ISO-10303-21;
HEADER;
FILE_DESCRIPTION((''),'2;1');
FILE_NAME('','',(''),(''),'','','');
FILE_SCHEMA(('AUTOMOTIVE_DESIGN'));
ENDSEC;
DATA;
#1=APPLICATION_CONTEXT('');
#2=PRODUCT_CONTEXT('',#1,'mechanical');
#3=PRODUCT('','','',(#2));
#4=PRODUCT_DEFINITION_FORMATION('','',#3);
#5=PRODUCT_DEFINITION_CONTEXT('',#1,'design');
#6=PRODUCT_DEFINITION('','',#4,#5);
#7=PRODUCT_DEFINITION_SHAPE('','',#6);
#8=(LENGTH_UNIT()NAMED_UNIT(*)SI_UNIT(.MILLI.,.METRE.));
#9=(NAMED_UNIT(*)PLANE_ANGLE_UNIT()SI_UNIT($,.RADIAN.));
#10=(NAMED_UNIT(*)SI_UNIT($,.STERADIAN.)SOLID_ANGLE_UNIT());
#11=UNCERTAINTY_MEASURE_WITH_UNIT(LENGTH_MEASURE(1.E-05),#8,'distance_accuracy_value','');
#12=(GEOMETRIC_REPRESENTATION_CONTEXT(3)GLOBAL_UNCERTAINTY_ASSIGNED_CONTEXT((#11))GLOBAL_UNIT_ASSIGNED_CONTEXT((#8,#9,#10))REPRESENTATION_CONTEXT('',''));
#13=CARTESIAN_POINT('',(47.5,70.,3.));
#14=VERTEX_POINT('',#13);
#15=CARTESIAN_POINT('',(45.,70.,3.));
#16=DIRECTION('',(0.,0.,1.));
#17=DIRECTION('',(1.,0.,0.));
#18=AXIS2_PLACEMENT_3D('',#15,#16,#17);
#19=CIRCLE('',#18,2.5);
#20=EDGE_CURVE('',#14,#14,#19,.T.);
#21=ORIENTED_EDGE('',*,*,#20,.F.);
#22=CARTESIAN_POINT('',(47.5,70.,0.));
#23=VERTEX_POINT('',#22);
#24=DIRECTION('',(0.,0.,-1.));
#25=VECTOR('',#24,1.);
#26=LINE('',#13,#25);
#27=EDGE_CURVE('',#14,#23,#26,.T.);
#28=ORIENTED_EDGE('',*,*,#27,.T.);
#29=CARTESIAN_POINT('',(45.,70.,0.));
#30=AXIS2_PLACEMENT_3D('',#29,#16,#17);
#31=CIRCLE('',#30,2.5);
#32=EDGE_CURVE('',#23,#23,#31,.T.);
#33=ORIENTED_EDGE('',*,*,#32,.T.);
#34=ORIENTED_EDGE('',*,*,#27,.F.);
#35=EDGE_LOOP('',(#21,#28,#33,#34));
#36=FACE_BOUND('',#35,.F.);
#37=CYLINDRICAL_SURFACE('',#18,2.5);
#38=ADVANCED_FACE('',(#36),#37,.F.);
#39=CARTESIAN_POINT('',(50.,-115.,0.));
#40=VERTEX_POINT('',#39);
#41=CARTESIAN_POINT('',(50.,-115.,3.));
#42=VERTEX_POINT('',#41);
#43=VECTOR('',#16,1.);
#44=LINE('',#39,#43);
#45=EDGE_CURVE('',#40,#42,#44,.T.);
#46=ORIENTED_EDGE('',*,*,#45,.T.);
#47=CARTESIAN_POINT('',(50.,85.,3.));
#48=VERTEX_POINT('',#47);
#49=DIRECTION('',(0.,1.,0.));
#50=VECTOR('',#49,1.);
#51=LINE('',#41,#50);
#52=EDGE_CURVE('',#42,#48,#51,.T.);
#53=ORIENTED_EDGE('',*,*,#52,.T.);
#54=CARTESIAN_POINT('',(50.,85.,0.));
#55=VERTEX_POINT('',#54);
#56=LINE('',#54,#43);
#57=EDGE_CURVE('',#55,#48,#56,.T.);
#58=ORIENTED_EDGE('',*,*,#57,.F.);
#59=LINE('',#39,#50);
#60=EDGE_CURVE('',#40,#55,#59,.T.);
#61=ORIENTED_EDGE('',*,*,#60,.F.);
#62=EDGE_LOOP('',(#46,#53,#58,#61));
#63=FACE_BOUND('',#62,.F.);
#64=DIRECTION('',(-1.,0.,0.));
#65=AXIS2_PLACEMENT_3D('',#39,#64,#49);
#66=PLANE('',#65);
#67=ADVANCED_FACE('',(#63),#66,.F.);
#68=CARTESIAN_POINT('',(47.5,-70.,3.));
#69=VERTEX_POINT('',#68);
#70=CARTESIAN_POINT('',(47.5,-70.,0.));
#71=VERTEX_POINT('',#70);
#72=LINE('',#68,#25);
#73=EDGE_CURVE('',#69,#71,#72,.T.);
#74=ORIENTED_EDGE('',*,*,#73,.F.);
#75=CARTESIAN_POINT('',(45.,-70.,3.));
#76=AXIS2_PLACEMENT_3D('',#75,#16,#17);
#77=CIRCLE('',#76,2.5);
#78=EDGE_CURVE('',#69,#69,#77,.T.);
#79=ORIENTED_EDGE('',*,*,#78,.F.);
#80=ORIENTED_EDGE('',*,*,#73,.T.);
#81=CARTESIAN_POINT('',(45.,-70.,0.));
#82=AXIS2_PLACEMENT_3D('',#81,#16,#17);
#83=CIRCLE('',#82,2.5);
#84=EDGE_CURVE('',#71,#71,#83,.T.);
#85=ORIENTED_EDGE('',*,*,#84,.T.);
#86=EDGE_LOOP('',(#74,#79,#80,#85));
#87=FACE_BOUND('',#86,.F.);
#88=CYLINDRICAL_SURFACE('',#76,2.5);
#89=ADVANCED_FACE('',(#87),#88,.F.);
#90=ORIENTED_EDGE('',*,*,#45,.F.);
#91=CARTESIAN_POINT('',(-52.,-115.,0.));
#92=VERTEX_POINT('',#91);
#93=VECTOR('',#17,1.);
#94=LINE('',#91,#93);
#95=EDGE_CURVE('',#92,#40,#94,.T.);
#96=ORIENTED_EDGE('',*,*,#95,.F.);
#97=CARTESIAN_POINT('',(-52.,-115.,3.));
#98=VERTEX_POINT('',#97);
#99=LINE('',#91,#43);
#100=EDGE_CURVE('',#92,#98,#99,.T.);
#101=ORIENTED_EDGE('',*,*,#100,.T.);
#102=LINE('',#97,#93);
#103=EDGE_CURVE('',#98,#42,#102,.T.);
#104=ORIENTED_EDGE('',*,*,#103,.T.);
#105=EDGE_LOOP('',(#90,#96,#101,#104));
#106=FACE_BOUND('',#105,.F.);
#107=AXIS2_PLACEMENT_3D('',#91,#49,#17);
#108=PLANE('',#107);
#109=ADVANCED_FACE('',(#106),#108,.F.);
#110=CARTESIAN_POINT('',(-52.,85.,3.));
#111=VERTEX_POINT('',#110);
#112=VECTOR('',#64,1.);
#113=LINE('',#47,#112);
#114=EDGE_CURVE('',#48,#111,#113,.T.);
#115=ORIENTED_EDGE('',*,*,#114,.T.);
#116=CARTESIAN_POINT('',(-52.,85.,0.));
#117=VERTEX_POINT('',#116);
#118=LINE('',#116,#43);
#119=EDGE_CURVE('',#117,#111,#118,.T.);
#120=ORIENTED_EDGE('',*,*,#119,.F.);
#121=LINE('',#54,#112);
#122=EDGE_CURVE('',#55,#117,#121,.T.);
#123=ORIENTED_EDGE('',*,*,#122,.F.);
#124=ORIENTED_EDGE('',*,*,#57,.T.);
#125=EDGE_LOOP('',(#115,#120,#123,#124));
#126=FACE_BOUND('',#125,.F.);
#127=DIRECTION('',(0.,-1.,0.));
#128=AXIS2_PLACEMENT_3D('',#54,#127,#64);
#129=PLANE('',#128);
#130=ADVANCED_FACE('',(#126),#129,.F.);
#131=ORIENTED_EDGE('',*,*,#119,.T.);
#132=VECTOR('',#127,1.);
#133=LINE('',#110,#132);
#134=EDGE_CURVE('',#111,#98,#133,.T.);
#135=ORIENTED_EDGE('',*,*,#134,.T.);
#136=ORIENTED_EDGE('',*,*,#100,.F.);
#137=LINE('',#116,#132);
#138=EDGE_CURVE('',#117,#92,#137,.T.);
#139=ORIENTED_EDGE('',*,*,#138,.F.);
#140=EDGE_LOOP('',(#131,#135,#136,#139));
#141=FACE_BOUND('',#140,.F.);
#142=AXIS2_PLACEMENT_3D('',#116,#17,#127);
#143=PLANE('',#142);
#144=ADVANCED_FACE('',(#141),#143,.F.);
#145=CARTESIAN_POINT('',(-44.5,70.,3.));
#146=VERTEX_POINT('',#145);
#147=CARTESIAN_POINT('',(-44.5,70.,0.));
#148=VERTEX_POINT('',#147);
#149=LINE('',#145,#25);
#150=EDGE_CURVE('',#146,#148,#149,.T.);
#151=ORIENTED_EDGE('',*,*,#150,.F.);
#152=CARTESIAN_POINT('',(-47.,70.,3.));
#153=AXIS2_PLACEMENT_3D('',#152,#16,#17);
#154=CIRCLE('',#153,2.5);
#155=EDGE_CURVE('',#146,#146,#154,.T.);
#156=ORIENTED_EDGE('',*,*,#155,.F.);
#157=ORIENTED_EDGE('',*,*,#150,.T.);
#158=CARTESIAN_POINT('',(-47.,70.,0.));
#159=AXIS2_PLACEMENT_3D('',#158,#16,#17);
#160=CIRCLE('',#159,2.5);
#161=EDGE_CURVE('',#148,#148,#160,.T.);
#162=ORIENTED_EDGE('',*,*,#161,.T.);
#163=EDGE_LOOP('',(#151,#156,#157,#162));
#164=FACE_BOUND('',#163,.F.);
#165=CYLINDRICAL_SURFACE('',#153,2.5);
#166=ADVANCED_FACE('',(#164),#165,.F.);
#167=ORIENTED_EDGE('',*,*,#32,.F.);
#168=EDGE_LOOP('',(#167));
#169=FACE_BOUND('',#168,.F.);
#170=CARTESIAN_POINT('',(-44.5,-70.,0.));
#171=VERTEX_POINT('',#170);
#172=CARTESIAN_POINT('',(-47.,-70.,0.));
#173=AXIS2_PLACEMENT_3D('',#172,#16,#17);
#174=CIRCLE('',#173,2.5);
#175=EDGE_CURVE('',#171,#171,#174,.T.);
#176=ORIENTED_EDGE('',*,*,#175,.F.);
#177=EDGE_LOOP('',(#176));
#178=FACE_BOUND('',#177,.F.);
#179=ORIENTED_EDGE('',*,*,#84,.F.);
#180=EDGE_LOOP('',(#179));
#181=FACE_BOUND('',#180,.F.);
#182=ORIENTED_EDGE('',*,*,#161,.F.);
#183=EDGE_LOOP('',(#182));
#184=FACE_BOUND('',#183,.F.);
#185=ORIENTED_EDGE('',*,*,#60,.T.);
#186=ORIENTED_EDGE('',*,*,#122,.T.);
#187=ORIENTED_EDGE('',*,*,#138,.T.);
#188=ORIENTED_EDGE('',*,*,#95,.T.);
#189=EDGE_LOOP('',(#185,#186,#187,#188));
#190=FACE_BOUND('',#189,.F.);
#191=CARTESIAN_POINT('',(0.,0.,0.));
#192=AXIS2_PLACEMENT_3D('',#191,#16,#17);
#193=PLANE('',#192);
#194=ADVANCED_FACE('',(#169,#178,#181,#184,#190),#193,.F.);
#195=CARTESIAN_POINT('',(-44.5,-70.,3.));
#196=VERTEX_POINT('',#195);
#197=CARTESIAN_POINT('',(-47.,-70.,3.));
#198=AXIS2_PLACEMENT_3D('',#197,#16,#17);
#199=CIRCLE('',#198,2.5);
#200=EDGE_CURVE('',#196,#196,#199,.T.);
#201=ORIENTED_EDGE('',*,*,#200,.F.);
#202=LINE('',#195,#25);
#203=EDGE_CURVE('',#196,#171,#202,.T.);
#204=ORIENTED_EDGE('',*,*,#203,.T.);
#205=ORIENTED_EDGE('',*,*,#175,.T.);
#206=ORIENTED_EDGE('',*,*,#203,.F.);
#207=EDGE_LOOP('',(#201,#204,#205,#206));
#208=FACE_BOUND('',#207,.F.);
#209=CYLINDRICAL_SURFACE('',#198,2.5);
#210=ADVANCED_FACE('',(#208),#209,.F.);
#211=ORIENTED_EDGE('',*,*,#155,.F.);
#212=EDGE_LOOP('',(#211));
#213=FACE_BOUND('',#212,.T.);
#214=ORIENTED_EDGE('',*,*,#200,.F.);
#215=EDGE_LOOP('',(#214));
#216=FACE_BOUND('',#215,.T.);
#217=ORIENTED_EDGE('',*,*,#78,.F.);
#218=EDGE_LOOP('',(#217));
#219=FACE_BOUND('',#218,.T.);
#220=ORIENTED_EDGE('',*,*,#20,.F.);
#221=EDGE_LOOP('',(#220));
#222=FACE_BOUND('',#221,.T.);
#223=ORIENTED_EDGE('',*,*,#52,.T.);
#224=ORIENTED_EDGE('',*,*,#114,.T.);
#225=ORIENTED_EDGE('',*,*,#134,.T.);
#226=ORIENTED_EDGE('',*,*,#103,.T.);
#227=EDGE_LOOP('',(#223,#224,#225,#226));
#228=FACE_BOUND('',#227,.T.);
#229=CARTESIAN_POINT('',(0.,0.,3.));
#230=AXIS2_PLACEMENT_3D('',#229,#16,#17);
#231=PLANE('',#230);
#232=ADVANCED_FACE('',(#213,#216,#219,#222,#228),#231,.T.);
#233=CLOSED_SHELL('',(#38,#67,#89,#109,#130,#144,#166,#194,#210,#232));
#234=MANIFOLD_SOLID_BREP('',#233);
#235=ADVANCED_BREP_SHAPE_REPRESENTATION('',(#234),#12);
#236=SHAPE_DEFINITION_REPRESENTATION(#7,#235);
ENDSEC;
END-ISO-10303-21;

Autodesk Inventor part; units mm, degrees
ref_plane "YZ Plane" through (0, 0, 0) normal (1, 0, 0) x (0, 1, 0)
ref_plane "XZ Plane" through (0, 0, 0) normal (0, 1, 0) x (-1, 0, 0)
ref_plane "XY Plane" through (0, 0, 0) normal (0, 0, 1) x (1, 0, 0)
sketch "Skizze1" plane through (0, 0, 0) normal (0, 0, 1) x (1, 0, 0)
  line L0 (50, 85) -> (-52, 85)
  line L1 (-52, 85) -> (-52, -115)
  line L2 (-52, -115) -> (50, -115)
  line L3 (50, -115) -> (50, 85)
  point P0 (0, 0)
  dimension "d0" = 102
  dimension "d1" = 200
  dimension "d10" = 115
extrude "Extrusion1" add sketch "Skizze1" along normal blind 3
sketch "Skizze2" plane through (0, 0, 3) normal (0, 0, 1) x (1, 0, 0)
  circle A0 centre (-47, 70) radius 2.5
  circle A1 centre (45, 70) radius 2.5
  circle A2 centre (45, -70) radius 2.5
  circle A3 centre (-47, -70) radius 2.5
  line L0 (50, -115) -> (50, 85) projected
  line L1 (-52, 85) -> (-52, -115) projected
  line L2 (-52, -115) -> (50, -115) projected
  line L3 (50, 85) -> (-52, 85) projected
  point P0 (0, 0)
  dimension "d4" = 5
  dimension "d5" = 5
  dimension "d6" = 5
  dimension "d7" = 5
  dimension "d12" = 5
  dimension "d13" = 5
  dimension "d14" = 45
  dimension "d15" = 45
  dimension "d16" = 5
  dimension "d17" = 5
  dimension "d18" = 15
  dimension "d19" = 15
extrude "Extrusion2" cut sketch "Skizze2" against normal blind 3 contours A0 | A1 | A2 | A3
properties part number "Halterungshauptplatte"
